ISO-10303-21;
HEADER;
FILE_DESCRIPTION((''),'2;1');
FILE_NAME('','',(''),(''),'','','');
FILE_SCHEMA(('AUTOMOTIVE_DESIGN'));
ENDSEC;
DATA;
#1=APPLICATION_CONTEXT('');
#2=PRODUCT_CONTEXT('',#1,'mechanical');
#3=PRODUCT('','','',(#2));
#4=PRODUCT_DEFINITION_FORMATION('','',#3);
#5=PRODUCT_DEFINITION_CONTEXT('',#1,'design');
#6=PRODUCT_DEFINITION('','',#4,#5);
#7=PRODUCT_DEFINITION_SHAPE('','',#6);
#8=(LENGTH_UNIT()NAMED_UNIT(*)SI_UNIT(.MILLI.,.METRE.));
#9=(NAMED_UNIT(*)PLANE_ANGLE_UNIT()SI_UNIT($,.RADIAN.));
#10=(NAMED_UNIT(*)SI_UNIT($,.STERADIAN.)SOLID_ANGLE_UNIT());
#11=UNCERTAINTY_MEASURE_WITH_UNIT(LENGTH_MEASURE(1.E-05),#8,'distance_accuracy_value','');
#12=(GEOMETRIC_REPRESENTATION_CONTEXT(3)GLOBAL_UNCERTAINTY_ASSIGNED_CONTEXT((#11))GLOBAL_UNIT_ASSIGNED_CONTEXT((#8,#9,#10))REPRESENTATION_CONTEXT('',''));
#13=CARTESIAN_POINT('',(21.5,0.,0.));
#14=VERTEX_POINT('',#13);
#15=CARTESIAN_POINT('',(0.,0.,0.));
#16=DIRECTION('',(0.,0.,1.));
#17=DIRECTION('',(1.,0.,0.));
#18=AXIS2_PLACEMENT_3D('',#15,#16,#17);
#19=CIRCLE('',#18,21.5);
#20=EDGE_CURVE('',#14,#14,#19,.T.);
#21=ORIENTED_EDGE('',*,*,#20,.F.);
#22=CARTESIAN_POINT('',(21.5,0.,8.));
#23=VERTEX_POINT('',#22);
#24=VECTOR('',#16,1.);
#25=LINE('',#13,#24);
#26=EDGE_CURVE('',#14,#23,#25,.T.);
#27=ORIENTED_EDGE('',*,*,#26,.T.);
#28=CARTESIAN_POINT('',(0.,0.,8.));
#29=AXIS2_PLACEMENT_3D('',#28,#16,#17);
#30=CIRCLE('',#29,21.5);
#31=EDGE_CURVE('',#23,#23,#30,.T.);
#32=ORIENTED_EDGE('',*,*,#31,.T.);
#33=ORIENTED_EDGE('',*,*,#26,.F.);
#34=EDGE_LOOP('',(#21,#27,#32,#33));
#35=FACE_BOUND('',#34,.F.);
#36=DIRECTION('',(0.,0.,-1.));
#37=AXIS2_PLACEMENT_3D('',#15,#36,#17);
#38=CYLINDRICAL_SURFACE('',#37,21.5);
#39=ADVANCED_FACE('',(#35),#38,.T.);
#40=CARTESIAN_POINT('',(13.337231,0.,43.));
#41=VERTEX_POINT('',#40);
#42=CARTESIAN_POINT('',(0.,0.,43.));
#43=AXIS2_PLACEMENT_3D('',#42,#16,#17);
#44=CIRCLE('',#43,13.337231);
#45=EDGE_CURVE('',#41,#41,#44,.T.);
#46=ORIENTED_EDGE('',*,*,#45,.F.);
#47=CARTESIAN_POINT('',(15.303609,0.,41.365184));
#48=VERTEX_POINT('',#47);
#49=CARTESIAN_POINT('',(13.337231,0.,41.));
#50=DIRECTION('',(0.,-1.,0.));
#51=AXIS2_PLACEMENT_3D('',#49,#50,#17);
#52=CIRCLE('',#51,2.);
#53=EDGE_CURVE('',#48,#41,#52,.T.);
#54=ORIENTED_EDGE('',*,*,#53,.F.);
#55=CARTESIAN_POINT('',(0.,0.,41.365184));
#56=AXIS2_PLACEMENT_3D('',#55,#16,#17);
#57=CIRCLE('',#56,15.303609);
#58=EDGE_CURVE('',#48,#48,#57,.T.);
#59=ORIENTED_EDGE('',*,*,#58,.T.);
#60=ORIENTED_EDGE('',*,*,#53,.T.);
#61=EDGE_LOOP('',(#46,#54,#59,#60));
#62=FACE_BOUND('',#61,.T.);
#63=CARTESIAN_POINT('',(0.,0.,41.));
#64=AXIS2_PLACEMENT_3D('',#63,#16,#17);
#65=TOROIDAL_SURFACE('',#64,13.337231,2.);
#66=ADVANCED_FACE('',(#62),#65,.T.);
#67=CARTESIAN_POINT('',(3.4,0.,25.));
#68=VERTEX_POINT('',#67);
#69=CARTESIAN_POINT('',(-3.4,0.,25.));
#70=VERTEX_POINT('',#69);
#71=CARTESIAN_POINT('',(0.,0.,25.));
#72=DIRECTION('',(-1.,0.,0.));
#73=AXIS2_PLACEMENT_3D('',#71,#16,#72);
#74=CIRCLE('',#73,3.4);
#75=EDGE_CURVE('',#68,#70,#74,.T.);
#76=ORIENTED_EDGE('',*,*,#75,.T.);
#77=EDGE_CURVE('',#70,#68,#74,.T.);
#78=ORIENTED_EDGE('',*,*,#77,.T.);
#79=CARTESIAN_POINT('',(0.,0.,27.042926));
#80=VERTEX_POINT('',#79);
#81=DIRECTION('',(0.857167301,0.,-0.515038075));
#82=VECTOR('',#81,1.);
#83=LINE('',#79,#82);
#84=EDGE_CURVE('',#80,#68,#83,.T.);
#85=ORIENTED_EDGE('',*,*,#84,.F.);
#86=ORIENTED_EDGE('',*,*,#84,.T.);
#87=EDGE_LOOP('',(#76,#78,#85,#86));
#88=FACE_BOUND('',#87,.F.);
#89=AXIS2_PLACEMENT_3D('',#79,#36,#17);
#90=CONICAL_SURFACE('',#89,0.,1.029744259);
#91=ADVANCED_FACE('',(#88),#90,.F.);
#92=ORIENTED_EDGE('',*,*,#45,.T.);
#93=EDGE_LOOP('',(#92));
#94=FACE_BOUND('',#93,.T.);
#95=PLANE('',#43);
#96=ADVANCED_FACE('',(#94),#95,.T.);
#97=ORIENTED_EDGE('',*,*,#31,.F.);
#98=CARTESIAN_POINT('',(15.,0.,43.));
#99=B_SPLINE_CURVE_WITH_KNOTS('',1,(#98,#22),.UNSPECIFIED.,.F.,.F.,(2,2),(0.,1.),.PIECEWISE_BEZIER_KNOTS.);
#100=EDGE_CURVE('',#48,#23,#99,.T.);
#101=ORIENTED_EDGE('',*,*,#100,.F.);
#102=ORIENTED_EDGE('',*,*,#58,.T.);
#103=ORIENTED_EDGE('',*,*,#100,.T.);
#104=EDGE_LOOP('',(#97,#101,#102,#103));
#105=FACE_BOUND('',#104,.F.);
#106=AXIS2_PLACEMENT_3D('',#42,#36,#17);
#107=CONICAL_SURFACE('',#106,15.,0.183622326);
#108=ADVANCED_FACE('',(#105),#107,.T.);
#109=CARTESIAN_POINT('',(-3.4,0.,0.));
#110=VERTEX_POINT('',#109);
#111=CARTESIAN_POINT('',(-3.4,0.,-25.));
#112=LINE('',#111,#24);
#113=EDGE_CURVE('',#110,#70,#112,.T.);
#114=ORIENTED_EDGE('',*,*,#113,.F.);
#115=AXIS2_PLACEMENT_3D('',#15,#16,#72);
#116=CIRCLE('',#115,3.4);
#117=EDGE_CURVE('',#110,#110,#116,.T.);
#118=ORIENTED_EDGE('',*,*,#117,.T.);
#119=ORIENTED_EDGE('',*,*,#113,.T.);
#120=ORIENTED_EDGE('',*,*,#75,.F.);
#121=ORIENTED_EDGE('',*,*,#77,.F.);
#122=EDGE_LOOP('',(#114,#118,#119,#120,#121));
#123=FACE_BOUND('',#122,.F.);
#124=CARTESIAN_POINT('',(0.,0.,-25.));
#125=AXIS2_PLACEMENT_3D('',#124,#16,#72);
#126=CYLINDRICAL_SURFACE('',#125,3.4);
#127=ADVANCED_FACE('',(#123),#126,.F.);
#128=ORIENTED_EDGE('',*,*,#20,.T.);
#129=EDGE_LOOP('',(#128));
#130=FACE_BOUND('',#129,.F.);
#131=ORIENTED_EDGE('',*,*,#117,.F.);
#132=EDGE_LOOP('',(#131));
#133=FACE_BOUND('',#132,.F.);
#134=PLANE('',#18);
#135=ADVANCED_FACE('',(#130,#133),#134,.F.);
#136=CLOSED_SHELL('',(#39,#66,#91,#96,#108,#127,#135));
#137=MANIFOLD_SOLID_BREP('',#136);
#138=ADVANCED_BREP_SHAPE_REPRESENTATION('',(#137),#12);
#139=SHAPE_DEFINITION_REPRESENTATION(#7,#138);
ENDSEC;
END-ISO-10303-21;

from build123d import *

# Parameters (mm, degrees)
F0_R      = 21.5
F1_DEPTH  = 8
F3_R      = 15
F1_FACE_R = 21.5
F6_D      = 6.8
F6_DEPTH  = 25
F6_TIP    = 2.0429261047
F7_R      = 2


with BuildPart() as f1:
    # F0 (on Top) → F1 (new body)
    with BuildSketch(Plane.XY):
        Circle(F0_R)
    extrude(amount=F1_DEPTH)

    # F3 (on offset) → F4 section 0
    with BuildSketch(Plane.XY.offset(43)):
        Circle(F3_R)
    # F1_face (on face) → F4 section 1
    with BuildSketch(Plane.XY.offset(8)):
        Circle(F1_FACE_R)
    loft()

    # F6
    with Locations(Plane(origin=(0, 0, 0), x_dir=(1, 0, 0), z_dir=(0, 0, -1))):
        with Locations((0, 0)):
            Hole(F6_D / 2, depth=F6_DEPTH)
            with Locations((0, 0, -(F6_DEPTH + F6_TIP / 2))):  # 118° drill point
                Cone(0, F6_D / 2, F6_TIP, mode=Mode.SUBTRACT)

    # F7
    f7_edges = [f1.edges().sort_by_distance(p)[0] for p in [
        (-15, 0, 43),
    ]]
    fillet(f7_edges, radius=F7_R)


solid = f1.part
